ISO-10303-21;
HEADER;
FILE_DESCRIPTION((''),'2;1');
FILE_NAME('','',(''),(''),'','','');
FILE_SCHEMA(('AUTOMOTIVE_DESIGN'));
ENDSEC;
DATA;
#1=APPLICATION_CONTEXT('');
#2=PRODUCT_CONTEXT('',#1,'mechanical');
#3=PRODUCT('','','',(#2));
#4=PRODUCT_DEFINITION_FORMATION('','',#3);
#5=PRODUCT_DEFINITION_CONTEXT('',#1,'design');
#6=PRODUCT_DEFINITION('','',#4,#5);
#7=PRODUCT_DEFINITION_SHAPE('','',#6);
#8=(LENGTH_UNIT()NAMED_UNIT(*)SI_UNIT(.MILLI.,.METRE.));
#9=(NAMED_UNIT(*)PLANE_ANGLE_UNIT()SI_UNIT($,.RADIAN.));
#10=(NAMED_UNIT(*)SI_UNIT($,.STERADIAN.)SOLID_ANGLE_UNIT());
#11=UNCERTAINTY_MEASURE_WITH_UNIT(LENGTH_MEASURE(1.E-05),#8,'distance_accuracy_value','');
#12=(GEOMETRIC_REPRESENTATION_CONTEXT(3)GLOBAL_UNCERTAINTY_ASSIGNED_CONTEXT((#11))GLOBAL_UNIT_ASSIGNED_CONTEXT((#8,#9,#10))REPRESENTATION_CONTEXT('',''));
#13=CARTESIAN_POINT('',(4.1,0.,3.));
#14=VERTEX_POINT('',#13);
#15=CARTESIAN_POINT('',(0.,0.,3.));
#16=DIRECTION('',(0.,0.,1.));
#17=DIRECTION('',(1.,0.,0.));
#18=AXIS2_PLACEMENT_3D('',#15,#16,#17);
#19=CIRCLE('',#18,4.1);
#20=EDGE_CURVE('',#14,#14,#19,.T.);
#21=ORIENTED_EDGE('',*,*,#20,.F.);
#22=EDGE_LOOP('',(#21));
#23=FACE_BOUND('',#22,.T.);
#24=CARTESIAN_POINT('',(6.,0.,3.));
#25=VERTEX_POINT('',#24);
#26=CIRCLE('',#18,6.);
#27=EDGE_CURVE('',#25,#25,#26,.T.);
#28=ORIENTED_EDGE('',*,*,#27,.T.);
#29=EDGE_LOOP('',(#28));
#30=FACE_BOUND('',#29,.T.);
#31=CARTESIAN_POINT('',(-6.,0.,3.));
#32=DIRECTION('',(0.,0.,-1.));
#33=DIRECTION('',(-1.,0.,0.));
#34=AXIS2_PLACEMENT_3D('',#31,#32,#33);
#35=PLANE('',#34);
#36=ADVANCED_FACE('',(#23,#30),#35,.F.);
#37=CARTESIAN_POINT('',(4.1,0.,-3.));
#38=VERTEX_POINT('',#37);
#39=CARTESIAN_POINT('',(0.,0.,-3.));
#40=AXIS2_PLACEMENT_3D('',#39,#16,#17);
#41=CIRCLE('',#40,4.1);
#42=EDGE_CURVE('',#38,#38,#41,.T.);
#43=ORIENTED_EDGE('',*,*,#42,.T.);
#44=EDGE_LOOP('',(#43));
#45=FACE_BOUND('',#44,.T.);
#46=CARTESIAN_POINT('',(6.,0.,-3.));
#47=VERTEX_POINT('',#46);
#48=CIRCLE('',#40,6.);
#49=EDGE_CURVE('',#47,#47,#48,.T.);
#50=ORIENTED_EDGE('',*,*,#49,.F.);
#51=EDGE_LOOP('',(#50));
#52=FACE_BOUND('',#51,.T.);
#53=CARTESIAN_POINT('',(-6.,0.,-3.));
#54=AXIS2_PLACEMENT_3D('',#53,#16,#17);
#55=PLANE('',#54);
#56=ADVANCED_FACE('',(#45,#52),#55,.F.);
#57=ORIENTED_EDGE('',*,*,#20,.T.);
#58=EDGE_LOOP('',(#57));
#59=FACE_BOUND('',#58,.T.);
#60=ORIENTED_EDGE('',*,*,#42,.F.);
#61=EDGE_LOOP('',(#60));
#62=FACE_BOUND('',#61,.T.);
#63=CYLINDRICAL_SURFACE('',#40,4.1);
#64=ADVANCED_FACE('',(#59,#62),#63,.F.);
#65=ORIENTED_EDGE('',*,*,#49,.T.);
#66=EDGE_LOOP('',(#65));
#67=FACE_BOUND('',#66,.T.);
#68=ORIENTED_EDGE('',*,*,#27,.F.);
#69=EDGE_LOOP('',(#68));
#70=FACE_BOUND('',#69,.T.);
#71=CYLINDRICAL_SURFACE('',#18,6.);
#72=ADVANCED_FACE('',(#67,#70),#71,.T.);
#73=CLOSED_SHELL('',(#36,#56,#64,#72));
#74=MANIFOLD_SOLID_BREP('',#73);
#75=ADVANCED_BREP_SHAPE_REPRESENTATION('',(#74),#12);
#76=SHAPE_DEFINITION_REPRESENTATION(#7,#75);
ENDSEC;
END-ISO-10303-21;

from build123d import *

# Parameters (mm, degrees)
SKETCH5_W          = 6
SKETCH5_H          = 6
SKETCH7_R          = 4.1
CUT_EXTRUDE1_DEPTH = 11.392304845


with BuildPart() as part:
    # Sketch5 → Revolve1 (revolve)
    with BuildSketch(Plane(origin=(0, 0, 0), x_dir=(0, 0, -1), z_dir=(0, 1, 0)), mode=Mode.PRIVATE) as revolve1_sk:
        with Locations((0, 3)):
            Rectangle(SKETCH5_W, SKETCH5_H)
    revolve(revolve1_sk.sketch.rotate(Axis((0, 0, 3), (0, 0, -1)), 180), axis=Axis((0, 0, 3), (0, 0, -1)))

    # Sketch7 → Cut-Extrude1 (cut, through all)
    with BuildSketch(Plane.XY.offset(3)):
        Circle(SKETCH7_R)
    extrude(amount=-CUT_EXTRUDE1_DEPTH, mode=Mode.SUBTRACT)


solid = part.part
